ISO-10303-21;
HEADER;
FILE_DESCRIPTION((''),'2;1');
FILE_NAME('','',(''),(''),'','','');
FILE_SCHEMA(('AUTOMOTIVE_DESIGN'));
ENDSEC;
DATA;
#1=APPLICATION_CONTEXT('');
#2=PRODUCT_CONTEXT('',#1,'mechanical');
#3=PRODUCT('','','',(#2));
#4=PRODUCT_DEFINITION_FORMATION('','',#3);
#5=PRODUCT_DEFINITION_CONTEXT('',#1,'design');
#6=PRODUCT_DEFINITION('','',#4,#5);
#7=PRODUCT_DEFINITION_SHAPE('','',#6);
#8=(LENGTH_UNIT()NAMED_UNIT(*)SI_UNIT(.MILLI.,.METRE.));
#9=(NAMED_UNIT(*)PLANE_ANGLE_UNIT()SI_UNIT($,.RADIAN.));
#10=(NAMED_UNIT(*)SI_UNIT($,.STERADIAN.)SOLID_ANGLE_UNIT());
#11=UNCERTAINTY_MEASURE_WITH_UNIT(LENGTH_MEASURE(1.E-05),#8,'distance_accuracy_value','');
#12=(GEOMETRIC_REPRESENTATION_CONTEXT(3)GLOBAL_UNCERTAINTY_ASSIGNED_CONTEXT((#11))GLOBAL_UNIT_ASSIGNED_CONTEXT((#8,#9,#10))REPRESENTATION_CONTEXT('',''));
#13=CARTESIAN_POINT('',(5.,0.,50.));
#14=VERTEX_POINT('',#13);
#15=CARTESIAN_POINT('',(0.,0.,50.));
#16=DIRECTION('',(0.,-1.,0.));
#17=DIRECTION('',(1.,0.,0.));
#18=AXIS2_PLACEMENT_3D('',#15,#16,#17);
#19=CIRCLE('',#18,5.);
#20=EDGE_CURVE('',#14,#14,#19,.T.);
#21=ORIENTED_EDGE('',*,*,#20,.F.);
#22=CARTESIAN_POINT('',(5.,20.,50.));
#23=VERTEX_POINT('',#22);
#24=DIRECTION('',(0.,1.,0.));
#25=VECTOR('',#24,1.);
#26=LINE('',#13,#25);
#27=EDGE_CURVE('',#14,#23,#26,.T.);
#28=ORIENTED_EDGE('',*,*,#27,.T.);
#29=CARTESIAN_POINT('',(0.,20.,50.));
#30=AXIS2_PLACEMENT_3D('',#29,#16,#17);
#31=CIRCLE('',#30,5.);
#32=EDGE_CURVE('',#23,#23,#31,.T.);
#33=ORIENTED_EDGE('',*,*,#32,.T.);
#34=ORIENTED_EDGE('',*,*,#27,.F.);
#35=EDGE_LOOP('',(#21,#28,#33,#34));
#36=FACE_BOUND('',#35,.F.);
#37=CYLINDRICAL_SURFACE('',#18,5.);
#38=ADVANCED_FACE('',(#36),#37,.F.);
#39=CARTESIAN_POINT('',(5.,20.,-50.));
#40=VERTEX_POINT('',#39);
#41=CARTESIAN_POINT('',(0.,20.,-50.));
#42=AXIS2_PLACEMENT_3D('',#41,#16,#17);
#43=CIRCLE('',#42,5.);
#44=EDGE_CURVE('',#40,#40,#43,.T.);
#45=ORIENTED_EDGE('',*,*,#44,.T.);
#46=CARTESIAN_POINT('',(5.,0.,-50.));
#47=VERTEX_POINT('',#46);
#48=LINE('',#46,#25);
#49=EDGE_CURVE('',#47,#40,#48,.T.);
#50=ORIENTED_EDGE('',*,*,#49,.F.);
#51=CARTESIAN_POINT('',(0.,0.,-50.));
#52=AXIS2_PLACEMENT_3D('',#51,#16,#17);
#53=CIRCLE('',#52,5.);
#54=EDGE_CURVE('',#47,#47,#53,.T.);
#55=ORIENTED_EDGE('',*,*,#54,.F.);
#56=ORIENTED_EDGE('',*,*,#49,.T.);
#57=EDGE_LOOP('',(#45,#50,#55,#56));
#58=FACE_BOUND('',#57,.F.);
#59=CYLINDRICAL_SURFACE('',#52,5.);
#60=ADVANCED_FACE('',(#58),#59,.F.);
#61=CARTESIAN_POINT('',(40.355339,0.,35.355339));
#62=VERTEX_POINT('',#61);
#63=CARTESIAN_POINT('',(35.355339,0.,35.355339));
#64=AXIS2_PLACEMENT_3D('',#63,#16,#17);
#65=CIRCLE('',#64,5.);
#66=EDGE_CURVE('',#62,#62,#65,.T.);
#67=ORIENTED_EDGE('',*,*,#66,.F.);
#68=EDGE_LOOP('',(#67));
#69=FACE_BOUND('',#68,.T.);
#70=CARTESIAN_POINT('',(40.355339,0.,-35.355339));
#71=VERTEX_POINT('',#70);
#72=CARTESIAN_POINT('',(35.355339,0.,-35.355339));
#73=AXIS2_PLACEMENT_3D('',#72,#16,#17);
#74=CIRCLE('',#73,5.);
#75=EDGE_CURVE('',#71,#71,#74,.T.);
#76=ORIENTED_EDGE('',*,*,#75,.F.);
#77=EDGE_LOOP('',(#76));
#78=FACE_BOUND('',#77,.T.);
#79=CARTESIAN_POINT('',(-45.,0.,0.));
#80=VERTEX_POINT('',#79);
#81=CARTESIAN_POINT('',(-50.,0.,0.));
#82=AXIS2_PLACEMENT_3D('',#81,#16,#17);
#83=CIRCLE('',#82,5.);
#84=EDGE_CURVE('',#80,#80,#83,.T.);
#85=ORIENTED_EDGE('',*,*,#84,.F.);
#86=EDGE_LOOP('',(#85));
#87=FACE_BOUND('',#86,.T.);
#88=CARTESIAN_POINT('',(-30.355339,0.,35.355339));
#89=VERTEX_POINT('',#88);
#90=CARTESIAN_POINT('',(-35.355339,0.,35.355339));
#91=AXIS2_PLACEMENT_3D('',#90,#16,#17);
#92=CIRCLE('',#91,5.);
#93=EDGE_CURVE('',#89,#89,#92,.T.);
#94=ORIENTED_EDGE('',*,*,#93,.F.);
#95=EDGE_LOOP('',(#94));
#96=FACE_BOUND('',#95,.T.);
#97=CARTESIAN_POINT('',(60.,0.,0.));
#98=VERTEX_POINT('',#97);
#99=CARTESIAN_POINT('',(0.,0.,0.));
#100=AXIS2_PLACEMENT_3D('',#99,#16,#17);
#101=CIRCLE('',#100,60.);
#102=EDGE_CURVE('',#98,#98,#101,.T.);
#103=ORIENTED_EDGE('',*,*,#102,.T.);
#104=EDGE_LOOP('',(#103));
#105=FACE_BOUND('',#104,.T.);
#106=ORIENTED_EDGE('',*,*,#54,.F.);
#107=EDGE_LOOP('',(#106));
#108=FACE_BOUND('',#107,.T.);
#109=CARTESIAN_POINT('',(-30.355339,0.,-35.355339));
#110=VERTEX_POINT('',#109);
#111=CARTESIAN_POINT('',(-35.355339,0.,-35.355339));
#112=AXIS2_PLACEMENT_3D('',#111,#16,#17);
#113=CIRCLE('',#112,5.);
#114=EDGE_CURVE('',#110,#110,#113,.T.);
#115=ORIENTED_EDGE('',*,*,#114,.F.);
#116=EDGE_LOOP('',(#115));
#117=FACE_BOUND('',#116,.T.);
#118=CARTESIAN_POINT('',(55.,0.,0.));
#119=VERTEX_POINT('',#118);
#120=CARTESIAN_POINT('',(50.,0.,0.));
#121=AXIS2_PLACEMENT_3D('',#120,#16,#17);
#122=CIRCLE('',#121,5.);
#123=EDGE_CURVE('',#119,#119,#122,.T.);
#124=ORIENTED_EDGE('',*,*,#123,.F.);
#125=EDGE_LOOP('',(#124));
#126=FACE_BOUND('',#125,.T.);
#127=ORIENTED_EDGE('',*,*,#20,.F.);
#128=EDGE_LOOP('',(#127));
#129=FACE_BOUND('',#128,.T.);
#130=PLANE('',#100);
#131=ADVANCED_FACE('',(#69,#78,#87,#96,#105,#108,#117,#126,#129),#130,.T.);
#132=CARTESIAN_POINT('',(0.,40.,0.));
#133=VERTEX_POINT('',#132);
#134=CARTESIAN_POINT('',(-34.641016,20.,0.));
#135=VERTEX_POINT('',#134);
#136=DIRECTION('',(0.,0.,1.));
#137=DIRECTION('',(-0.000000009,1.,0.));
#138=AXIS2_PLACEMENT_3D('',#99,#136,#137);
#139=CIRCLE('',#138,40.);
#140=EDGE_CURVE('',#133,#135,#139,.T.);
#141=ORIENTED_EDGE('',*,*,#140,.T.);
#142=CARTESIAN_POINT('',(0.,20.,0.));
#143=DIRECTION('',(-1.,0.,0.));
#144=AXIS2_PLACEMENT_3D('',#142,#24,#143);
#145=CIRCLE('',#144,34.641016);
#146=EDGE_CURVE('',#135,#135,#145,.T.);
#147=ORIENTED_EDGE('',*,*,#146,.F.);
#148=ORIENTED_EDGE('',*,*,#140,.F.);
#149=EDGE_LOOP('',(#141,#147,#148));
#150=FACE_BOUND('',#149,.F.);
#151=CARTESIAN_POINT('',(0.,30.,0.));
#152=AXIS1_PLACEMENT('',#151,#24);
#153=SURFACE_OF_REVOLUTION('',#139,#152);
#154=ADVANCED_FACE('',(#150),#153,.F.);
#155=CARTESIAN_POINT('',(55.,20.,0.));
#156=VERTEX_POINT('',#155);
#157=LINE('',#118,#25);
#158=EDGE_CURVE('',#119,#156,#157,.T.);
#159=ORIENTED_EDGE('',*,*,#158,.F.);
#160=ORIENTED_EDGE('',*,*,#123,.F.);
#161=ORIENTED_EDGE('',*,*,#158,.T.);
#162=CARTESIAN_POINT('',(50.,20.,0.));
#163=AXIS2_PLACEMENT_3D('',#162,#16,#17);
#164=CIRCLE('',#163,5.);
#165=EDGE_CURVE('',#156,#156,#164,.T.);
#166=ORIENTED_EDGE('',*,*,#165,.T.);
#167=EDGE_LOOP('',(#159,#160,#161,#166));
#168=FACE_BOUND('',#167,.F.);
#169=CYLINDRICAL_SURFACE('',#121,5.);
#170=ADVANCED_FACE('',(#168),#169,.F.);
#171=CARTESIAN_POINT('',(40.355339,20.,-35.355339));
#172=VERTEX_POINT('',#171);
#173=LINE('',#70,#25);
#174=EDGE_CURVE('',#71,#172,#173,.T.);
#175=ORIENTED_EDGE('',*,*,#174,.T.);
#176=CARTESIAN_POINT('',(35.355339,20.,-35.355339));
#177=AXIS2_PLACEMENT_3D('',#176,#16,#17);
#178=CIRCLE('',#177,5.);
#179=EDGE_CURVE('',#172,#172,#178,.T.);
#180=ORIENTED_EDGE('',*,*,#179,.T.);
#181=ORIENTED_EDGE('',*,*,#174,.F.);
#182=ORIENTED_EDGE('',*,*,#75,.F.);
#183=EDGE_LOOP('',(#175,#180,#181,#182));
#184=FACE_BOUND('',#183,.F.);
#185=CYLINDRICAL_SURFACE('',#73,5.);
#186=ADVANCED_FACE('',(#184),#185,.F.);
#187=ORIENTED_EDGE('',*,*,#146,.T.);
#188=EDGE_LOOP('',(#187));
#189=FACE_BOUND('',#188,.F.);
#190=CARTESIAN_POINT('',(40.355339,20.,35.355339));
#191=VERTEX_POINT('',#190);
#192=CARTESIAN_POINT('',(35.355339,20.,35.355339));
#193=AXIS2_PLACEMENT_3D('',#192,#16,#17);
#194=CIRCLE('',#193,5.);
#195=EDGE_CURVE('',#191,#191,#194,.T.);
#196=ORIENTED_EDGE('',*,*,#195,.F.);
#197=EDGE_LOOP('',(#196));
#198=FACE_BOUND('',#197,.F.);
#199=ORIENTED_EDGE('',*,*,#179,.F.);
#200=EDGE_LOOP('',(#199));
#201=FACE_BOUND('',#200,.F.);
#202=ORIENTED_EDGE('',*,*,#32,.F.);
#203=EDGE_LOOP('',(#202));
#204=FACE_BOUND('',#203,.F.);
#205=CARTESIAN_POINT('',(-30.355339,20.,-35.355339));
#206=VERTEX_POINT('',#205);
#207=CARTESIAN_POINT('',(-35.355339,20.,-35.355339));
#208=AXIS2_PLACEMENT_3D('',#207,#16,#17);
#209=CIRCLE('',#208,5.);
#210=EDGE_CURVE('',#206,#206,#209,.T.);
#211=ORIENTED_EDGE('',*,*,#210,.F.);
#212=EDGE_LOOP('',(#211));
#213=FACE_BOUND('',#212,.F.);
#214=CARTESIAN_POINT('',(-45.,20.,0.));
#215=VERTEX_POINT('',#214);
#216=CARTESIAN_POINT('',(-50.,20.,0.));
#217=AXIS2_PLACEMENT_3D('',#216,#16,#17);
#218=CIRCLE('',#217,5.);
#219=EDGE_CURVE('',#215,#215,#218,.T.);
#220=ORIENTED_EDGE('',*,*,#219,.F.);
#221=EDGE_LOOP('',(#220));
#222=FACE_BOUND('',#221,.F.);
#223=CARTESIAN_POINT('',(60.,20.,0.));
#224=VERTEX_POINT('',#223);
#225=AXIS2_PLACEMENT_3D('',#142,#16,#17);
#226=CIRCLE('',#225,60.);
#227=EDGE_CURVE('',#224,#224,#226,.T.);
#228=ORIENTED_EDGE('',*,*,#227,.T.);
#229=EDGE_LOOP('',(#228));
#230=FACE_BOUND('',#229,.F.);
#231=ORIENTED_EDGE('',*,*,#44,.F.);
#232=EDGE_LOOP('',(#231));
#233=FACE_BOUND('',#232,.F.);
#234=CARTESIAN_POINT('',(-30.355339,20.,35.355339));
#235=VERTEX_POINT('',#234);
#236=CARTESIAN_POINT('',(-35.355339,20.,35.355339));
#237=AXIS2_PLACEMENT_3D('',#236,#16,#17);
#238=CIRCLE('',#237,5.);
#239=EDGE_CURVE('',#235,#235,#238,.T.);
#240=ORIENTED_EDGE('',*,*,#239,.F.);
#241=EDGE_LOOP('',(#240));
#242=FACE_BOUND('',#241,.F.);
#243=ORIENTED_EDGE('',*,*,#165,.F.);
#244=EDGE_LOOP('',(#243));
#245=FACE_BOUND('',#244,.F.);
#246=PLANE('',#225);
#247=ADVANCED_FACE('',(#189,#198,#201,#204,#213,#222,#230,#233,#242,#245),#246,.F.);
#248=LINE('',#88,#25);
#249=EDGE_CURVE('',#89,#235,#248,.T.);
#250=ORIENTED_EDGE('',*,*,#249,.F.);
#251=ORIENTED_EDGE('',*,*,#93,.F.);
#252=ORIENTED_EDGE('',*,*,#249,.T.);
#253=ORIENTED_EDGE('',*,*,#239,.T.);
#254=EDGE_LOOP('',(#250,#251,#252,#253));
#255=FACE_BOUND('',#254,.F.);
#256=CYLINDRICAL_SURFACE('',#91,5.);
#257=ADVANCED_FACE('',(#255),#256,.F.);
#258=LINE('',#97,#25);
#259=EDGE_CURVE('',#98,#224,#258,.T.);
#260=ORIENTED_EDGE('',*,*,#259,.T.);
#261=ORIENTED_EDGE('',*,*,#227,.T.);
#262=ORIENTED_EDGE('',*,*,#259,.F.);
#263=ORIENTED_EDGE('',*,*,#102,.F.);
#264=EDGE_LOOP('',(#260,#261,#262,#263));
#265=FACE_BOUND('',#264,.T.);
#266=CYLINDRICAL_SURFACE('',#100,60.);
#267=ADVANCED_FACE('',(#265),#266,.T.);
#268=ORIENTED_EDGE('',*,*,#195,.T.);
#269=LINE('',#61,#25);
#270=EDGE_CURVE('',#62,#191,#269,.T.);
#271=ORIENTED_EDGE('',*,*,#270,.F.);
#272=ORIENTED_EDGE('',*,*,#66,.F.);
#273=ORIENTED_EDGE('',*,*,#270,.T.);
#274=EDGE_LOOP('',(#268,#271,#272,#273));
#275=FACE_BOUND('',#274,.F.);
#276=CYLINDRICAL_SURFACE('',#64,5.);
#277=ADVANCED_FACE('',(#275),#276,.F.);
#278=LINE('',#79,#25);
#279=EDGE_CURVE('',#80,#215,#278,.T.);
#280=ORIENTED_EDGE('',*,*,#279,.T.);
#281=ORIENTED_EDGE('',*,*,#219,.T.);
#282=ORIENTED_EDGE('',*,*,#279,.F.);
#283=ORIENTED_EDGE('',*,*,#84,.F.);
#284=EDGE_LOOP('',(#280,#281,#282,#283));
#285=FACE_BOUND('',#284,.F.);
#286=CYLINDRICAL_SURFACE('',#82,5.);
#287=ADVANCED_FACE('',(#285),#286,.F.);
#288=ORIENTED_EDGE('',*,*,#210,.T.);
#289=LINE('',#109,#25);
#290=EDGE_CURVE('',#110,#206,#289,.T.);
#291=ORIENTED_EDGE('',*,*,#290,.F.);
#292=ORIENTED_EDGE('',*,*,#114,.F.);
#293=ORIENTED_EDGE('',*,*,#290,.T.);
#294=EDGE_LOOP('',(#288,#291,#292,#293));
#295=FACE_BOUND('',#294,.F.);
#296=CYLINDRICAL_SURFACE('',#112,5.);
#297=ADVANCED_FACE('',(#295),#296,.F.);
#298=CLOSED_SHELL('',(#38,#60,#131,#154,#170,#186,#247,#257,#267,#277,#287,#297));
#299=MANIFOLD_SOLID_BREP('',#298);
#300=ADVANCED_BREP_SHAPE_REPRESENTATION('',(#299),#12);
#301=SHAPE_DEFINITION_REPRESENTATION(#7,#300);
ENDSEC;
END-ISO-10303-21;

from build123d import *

# Parameters (mm, degrees)
F0_R     = 60
F0_R_2   = 5
F1_DEPTH = 20


with BuildPart() as f1:
    # F0 (on Front) → F1 (new body)
    with BuildSketch(Plane.XZ):
        Circle(F0_R)
        with Locations((-35.355339, -35.355339)):
            Circle(F0_R_2, mode=Mode.SUBTRACT)
        with Locations((0, -50)):
            Circle(F0_R_2, mode=Mode.SUBTRACT)
        with Locations((35.355339, -35.355339)):
            Circle(F0_R_2, mode=Mode.SUBTRACT)
        with Locations((-50, 0)):
            Circle(F0_R_2, mode=Mode.SUBTRACT)
        with Locations((-35.355339, 35.355339)):
            Circle(F0_R_2, mode=Mode.SUBTRACT)
        with Locations((50, 0)):
            Circle(F0_R_2, mode=Mode.SUBTRACT)
        with Locations((0, 50)):
            Circle(F0_R_2, mode=Mode.SUBTRACT)
        with Locations((35.355339, 35.355339)):
            Circle(F0_R_2, mode=Mode.SUBTRACT)
    extrude(amount=-F1_DEPTH)

    # F2 (on Top) → F3 (revolve)
    with BuildSketch(Plane.XY):
        with BuildLine():
            Line((0, 20), (0, 40))
            ThreePointArc((0, 40), (-20, 34.641016), (-34.641016, 20))
            Line((-34.641016, 20), (0, 20))
        make_face()
    revolve(axis=Axis((0, 30, 0), (0, 1, 0)))


solid = f1.part
